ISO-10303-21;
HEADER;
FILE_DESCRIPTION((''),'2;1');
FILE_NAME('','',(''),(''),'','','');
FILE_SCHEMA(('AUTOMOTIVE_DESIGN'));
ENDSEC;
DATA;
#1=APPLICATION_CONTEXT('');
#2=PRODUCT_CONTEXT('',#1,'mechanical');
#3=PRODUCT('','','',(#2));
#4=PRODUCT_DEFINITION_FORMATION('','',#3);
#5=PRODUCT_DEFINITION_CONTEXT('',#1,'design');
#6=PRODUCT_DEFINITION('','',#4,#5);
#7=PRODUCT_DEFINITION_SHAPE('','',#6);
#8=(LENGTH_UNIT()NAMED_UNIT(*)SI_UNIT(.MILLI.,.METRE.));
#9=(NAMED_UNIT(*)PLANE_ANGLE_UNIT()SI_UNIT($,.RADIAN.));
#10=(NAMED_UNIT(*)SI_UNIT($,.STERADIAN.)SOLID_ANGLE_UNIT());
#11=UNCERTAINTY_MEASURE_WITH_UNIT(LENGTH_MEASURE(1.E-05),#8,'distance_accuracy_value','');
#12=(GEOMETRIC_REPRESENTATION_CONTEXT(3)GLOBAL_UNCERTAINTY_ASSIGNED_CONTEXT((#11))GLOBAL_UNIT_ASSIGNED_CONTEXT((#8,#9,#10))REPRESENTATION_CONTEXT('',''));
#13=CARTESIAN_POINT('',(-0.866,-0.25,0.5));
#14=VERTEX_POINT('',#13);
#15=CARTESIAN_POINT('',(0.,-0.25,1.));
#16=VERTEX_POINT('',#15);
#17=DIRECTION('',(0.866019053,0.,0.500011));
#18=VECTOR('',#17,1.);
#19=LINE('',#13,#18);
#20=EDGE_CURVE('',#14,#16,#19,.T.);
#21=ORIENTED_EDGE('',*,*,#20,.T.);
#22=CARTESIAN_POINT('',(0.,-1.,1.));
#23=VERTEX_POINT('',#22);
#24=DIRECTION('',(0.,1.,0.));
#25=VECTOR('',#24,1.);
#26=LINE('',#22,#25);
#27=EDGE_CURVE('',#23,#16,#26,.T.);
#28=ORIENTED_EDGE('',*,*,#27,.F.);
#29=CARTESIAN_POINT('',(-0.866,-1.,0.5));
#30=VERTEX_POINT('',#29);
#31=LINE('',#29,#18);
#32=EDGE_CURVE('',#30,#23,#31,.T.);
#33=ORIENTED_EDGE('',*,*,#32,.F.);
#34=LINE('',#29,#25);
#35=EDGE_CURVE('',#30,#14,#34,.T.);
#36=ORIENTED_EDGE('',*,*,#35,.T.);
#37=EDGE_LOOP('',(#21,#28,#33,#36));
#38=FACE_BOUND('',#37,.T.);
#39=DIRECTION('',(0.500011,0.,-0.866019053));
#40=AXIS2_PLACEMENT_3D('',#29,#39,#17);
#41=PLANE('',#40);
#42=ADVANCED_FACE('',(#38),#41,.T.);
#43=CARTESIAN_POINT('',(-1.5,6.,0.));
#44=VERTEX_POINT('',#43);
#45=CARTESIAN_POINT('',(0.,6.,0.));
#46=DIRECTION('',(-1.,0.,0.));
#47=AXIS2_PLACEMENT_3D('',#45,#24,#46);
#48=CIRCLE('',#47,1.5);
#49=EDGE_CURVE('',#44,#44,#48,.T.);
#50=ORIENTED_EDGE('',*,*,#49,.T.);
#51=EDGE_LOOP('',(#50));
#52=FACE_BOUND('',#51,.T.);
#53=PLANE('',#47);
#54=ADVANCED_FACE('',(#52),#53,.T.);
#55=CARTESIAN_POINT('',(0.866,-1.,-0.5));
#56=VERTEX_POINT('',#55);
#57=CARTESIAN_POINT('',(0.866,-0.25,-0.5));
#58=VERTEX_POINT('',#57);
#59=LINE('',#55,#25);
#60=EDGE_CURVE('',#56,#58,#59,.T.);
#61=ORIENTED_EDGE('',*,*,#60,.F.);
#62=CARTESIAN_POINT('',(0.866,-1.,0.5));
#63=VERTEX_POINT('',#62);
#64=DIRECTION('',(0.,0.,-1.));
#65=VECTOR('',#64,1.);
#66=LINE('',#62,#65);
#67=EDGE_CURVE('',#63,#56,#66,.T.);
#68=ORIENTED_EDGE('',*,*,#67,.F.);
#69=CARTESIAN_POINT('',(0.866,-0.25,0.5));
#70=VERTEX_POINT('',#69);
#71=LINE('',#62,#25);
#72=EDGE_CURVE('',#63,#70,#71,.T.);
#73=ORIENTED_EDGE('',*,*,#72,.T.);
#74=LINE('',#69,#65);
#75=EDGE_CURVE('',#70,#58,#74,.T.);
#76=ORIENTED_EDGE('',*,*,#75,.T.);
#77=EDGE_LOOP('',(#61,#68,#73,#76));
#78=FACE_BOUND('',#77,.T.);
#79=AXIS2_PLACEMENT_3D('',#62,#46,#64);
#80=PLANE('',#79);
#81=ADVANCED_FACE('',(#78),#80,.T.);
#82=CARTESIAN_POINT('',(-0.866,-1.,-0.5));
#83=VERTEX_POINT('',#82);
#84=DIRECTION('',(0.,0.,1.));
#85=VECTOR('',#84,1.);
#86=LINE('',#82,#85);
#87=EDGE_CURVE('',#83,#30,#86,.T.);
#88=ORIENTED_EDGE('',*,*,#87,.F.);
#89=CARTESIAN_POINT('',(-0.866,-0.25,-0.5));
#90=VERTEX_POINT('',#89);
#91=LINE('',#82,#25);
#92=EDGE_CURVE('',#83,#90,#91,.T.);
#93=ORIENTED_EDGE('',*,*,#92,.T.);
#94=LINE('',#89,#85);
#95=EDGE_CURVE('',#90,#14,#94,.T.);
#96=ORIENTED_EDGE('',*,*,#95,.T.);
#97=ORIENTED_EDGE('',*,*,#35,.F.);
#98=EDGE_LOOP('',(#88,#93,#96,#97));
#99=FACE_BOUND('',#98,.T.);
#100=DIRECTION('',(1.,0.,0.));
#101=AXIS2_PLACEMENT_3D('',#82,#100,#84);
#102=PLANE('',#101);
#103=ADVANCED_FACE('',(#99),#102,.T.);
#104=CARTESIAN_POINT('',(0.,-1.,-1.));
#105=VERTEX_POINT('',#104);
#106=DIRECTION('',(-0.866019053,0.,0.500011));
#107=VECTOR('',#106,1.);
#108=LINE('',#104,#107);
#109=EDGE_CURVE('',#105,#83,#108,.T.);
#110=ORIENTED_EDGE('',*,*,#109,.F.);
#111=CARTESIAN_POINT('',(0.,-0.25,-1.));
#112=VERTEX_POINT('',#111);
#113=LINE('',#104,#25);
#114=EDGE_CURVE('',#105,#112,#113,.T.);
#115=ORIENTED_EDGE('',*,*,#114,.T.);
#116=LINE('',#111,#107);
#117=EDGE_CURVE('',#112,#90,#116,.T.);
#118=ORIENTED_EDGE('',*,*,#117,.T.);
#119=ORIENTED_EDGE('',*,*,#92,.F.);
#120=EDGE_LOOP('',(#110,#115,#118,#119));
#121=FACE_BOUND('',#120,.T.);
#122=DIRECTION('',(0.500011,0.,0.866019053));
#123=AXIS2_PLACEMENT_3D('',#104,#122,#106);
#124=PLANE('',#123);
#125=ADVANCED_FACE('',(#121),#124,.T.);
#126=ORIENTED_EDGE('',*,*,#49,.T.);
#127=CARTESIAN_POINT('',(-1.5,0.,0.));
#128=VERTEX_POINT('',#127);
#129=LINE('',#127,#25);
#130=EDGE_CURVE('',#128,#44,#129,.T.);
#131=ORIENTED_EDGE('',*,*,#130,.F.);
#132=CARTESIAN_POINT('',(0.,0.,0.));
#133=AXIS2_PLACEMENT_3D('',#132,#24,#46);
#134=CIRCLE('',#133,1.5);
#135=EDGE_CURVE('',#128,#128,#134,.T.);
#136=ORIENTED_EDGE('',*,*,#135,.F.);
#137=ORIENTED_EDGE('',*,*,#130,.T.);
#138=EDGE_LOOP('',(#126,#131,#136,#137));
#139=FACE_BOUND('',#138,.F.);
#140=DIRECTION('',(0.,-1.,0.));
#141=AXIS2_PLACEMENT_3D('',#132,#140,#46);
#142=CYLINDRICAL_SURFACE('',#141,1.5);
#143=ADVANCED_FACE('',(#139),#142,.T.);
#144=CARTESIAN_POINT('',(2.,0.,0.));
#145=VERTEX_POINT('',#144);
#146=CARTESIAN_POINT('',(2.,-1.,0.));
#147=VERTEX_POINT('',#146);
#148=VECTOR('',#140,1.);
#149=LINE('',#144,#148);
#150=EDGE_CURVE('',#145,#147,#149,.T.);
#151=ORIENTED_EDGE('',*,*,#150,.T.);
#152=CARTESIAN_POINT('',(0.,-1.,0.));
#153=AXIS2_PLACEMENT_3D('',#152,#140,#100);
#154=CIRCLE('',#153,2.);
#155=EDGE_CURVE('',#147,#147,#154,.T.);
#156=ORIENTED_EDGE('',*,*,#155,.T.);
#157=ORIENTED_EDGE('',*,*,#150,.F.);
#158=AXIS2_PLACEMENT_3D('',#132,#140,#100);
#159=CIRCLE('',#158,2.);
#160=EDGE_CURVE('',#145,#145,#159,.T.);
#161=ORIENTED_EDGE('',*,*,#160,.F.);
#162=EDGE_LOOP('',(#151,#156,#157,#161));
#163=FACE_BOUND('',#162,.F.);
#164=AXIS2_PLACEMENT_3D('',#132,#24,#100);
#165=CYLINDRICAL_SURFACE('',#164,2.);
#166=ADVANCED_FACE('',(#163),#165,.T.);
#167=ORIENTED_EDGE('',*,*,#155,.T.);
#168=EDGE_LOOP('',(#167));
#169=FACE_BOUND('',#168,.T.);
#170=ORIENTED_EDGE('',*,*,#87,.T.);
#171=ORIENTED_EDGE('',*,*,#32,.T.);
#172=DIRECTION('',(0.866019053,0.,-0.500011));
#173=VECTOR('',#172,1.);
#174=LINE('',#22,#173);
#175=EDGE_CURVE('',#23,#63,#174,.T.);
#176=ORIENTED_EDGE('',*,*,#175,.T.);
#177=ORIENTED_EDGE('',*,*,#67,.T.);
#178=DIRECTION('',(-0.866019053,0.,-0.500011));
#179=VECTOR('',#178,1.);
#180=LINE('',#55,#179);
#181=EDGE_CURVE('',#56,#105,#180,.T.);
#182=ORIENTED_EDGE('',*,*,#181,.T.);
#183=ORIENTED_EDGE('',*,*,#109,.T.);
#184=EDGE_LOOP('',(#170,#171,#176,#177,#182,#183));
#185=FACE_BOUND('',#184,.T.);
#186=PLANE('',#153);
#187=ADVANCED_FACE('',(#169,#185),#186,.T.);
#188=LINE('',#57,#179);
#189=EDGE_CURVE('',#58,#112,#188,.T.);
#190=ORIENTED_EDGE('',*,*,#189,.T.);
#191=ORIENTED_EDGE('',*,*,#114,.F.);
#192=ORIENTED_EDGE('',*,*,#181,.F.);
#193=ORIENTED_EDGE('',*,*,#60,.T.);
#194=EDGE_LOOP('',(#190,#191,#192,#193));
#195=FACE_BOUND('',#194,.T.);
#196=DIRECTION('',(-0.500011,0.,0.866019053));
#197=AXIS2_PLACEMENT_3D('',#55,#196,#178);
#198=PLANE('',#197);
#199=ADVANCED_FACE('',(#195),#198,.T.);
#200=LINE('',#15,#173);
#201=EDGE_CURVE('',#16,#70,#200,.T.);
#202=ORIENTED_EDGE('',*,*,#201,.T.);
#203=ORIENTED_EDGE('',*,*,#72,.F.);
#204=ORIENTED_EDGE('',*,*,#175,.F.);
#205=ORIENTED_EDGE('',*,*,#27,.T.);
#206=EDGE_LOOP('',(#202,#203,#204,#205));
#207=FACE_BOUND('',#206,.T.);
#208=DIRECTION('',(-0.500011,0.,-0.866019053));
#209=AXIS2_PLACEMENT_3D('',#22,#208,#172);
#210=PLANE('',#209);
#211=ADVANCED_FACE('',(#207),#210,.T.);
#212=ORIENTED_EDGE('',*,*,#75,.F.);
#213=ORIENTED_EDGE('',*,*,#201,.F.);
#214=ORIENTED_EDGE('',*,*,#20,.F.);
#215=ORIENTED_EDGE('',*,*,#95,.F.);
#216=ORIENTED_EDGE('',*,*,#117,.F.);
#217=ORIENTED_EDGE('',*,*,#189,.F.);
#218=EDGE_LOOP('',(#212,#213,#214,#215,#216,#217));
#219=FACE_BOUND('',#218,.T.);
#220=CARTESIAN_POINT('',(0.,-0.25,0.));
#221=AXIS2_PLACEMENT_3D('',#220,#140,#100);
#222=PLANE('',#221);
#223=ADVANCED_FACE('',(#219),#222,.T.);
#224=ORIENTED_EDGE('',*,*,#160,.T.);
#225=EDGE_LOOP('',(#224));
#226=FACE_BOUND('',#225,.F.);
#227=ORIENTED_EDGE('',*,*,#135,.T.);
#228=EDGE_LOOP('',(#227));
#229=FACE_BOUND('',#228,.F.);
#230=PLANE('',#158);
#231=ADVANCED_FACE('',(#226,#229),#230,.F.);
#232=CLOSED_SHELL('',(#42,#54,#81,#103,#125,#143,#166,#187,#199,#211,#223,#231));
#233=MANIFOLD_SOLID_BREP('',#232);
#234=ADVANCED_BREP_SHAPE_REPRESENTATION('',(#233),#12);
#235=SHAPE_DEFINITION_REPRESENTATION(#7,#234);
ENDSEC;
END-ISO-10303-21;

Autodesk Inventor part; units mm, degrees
ref_plane "YZ Plane" through (0, 0, 0) normal (1, 0, 0) x (0, 1, 0)
ref_plane "XZ Plane" through (0, 0, 0) normal (0, 1, 0) x (-1, 0, 0)
ref_plane "XY Plane" through (0, 0, 0) normal (0, 0, 1) x (1, 0, 0)
sketch "Sketch1" plane through (0, 0, 0) normal (0, 1, 0) x (-1, 0, 0)
  circle A0 centre (0, 0) radius 1.5
  dimension "d0" = 3
extrude "Extrusion1" add sketch "Sketch1" along normal blind 6
thread "Thread1" size "M3x0.5" class "6g" standard "ANSI Metric M Profile" length 6
sketch "Sketch2" plane through (0, 0, 0) normal (0, -1, 0) x (1, 0, 0)
  circle A0 centre (0, 0) radius 2
  dimension "d5" = 4
extrude "Extrusion2" add sketch "Sketch2" along normal blind 1
sketch "Sketch3" plane through (0, -1, 0) normal (0, -1, 0) x (1, 0, 0)
  circle A0 centre (0, 0) radius 1.5 projected
  line L0 (0, 0) -> (0, 1)
  line L1 (0, 1) -> (0.866, 0.5)
  line L2 (0.866, 0.5) -> (0.866, -0.5)
  line L3 (0.866, -0.5) -> (0, -1)
  line L4 (0, -1) -> (-0.866, -0.5)
  line L5 (-0.866, -0.5) -> (-0.866, 0.5)
  line L6 (-0.866, 0.5) -> (0, 1)
  dimension "d8" = 1
extrude "Extrusion3" cut sketch "Sketch3" against normal blind 0.75 contours L1 L2 L3 L4 L5 L6
properties part number "Connector_2" material "Steel, Mild"
